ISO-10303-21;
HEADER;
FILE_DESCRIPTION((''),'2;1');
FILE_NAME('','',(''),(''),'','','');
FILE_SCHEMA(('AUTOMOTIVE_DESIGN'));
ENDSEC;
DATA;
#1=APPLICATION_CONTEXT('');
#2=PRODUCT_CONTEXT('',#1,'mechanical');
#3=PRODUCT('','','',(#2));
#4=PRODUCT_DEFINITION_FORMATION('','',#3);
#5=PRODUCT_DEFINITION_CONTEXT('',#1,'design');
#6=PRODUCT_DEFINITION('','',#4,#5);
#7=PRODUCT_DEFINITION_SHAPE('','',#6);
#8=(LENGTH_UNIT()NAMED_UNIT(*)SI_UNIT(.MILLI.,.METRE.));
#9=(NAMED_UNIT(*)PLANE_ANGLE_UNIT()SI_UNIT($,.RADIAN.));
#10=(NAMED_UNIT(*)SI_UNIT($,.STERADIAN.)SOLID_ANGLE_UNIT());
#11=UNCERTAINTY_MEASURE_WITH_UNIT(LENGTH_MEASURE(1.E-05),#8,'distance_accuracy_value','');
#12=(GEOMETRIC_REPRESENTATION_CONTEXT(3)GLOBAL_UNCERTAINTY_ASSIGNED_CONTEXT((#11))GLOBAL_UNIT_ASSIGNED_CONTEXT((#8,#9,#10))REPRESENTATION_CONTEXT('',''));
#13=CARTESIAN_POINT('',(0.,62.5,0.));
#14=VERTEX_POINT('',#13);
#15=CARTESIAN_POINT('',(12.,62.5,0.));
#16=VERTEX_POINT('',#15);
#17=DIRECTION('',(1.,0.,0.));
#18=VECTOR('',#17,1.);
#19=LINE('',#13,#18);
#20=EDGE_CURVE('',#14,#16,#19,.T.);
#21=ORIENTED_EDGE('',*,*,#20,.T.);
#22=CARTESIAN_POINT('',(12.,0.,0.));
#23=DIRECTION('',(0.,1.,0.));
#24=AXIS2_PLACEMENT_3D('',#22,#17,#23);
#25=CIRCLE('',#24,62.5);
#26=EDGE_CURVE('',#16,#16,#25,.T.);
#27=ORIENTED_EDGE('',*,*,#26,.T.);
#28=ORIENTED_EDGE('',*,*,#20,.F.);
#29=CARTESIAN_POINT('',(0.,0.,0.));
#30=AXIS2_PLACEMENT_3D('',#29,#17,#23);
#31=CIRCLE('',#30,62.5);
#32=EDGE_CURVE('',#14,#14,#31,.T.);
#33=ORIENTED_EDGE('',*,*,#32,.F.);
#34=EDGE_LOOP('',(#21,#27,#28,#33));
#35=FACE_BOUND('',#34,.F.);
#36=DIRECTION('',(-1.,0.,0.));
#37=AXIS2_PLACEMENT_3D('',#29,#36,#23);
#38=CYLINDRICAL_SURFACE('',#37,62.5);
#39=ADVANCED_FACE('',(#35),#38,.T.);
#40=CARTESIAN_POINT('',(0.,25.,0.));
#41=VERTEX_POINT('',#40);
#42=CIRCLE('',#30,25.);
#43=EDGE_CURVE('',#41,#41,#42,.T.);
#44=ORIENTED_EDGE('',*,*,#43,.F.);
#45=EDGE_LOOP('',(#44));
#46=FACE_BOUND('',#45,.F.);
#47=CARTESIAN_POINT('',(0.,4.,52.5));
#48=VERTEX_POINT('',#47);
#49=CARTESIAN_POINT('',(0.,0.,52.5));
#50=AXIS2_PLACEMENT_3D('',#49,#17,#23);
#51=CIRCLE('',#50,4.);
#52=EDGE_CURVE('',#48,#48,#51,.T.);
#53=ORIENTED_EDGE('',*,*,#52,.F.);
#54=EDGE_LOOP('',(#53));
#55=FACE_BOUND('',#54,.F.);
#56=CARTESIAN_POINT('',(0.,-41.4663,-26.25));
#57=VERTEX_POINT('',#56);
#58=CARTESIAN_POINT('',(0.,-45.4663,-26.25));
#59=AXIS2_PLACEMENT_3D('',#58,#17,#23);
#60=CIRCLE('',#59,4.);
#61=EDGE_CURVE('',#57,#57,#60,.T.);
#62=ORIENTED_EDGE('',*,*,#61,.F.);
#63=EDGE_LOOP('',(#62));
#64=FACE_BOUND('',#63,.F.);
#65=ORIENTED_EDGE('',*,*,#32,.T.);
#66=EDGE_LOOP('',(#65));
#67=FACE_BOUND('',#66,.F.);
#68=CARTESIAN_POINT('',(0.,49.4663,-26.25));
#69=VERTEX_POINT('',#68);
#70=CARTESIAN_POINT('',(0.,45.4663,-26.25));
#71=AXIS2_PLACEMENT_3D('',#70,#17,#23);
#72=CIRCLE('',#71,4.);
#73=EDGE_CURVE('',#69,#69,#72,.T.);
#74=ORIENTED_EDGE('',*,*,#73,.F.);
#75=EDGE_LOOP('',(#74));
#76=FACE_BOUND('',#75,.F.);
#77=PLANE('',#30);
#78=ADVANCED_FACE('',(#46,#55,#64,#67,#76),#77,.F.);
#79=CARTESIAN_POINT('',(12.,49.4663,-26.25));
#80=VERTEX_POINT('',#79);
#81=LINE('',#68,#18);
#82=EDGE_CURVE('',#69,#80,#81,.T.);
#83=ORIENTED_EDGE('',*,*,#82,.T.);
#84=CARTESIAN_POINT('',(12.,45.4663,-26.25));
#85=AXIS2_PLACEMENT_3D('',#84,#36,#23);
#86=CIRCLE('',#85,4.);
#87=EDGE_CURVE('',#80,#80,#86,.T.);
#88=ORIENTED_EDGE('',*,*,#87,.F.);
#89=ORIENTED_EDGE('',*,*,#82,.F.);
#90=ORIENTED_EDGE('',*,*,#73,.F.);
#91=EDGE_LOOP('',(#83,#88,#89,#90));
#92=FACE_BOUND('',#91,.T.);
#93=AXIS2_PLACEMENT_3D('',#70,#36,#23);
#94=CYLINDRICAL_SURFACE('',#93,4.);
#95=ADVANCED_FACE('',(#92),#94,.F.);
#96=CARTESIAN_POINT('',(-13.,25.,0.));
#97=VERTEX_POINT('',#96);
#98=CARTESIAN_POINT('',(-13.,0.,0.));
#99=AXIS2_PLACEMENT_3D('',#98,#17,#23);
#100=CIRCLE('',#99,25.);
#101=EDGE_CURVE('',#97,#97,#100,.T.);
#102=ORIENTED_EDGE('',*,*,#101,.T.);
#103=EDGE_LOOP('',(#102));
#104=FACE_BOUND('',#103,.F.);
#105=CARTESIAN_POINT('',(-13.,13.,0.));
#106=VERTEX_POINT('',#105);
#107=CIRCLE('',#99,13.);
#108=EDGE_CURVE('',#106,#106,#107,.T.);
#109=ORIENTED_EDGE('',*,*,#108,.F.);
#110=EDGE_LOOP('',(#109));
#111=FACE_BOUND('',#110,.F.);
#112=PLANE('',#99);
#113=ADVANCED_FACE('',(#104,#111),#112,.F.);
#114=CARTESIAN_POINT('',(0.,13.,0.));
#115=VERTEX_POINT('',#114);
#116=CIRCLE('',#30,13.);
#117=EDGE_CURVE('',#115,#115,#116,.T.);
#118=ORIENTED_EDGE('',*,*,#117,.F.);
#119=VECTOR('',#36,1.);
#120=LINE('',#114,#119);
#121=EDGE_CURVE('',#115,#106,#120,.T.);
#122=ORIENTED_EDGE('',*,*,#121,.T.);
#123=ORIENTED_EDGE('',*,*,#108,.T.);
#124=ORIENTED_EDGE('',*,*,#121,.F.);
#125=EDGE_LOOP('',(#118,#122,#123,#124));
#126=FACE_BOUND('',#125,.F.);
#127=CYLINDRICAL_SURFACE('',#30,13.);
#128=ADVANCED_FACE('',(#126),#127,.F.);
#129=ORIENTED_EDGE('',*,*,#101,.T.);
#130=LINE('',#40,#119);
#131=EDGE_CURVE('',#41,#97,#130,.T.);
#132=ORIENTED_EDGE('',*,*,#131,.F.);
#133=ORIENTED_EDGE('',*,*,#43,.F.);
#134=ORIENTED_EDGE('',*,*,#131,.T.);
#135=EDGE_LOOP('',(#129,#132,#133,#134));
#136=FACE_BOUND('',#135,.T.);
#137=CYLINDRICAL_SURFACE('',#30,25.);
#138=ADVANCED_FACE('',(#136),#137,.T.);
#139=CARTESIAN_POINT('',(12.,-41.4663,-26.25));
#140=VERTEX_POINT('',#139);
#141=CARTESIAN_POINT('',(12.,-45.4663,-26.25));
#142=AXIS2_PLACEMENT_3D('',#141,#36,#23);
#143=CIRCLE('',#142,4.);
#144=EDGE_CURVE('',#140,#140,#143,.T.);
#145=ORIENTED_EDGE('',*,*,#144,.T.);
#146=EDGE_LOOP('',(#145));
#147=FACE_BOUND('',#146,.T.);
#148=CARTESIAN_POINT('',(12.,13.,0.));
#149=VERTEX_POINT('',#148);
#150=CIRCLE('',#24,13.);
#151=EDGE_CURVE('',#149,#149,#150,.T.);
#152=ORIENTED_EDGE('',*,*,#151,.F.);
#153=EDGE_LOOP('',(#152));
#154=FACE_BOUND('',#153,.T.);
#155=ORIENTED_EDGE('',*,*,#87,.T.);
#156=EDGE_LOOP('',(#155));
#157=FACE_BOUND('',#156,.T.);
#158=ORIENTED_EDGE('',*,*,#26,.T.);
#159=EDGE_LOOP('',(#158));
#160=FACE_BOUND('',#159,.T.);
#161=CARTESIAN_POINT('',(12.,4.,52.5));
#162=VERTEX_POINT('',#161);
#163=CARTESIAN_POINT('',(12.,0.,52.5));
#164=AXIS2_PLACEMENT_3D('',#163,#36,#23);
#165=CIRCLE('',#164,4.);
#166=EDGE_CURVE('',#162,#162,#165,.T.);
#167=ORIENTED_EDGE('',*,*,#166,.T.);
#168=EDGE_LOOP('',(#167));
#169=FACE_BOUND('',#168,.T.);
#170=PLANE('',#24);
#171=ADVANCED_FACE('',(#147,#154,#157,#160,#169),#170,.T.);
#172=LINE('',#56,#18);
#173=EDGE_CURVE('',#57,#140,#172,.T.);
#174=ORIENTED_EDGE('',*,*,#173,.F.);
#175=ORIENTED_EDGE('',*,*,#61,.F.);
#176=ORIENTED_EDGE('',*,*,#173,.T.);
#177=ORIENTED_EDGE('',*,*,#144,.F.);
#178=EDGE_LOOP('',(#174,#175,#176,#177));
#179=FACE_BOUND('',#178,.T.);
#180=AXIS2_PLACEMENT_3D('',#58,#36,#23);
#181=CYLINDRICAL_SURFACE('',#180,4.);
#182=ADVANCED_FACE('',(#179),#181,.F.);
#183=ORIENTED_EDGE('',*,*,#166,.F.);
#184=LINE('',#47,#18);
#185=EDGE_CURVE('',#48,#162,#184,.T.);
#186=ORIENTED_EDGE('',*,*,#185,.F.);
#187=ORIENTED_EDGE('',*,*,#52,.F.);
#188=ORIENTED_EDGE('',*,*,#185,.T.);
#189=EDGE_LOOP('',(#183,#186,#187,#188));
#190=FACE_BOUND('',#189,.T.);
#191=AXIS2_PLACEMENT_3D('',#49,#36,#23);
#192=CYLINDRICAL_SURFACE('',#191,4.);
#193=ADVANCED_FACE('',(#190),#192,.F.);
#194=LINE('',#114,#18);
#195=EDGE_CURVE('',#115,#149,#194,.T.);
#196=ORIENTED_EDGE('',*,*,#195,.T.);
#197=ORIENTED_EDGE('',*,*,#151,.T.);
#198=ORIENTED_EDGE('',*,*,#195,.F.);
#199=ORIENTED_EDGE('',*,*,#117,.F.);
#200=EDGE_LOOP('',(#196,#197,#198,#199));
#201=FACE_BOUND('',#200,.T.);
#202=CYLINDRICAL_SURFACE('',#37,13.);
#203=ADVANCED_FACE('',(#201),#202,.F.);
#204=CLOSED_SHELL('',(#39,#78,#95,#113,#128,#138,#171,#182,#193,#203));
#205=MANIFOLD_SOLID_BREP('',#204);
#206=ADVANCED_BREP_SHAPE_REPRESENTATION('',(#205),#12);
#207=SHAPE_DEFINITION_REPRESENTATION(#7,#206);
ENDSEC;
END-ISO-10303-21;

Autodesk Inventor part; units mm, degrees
ref_plane "YZ Plane" through (0, 0, 0) normal (1, 0, 0) x (0, 1, 0)
ref_plane "XZ Plane" through (0, 0, 0) normal (0, 1, 0) x (-1, 0, 0)
ref_plane "XY Plane" through (0, 0, 0) normal (0, 0, 1) x (1, 0, 0)
sketch "Sketch1" plane through (0, 0, 0) normal (1, 0, 0) x (0, 1, 0)
  circle A0 centre (0, 0) radius 62.5
  circle A1 centre (0, 0) radius 25
  circle A2 centre (0, 0) radius 13
  circle A3 centre (0, 0) radius 52.5 construction
  circle A4 centre (0, 52.5) radius 4
  circle A5 centre (-45.4663, -26.25) radius 4
  circle A6 centre (45.4663, -26.25) radius 4
  dimension "d0" = 50
  dimension "d1" = 26
  dimension "d2" = 125
  dimension "d7" = 8
  dimension "d8" = 10
  dimension "d11" = 360
extrude "Extrusion1" add sketch "Sketch1" along normal blind 12 contours A0 | A1 | A4 | A5 | A6
extrude "Extrusion2" add sketch "Sketch1" against normal blind 13 contours A1
extrude "Extrusion3" cut sketch "Sketch1" along normal blind 45.5 contours A4 | A5 | A6
properties part number "Chuck Backplate"
